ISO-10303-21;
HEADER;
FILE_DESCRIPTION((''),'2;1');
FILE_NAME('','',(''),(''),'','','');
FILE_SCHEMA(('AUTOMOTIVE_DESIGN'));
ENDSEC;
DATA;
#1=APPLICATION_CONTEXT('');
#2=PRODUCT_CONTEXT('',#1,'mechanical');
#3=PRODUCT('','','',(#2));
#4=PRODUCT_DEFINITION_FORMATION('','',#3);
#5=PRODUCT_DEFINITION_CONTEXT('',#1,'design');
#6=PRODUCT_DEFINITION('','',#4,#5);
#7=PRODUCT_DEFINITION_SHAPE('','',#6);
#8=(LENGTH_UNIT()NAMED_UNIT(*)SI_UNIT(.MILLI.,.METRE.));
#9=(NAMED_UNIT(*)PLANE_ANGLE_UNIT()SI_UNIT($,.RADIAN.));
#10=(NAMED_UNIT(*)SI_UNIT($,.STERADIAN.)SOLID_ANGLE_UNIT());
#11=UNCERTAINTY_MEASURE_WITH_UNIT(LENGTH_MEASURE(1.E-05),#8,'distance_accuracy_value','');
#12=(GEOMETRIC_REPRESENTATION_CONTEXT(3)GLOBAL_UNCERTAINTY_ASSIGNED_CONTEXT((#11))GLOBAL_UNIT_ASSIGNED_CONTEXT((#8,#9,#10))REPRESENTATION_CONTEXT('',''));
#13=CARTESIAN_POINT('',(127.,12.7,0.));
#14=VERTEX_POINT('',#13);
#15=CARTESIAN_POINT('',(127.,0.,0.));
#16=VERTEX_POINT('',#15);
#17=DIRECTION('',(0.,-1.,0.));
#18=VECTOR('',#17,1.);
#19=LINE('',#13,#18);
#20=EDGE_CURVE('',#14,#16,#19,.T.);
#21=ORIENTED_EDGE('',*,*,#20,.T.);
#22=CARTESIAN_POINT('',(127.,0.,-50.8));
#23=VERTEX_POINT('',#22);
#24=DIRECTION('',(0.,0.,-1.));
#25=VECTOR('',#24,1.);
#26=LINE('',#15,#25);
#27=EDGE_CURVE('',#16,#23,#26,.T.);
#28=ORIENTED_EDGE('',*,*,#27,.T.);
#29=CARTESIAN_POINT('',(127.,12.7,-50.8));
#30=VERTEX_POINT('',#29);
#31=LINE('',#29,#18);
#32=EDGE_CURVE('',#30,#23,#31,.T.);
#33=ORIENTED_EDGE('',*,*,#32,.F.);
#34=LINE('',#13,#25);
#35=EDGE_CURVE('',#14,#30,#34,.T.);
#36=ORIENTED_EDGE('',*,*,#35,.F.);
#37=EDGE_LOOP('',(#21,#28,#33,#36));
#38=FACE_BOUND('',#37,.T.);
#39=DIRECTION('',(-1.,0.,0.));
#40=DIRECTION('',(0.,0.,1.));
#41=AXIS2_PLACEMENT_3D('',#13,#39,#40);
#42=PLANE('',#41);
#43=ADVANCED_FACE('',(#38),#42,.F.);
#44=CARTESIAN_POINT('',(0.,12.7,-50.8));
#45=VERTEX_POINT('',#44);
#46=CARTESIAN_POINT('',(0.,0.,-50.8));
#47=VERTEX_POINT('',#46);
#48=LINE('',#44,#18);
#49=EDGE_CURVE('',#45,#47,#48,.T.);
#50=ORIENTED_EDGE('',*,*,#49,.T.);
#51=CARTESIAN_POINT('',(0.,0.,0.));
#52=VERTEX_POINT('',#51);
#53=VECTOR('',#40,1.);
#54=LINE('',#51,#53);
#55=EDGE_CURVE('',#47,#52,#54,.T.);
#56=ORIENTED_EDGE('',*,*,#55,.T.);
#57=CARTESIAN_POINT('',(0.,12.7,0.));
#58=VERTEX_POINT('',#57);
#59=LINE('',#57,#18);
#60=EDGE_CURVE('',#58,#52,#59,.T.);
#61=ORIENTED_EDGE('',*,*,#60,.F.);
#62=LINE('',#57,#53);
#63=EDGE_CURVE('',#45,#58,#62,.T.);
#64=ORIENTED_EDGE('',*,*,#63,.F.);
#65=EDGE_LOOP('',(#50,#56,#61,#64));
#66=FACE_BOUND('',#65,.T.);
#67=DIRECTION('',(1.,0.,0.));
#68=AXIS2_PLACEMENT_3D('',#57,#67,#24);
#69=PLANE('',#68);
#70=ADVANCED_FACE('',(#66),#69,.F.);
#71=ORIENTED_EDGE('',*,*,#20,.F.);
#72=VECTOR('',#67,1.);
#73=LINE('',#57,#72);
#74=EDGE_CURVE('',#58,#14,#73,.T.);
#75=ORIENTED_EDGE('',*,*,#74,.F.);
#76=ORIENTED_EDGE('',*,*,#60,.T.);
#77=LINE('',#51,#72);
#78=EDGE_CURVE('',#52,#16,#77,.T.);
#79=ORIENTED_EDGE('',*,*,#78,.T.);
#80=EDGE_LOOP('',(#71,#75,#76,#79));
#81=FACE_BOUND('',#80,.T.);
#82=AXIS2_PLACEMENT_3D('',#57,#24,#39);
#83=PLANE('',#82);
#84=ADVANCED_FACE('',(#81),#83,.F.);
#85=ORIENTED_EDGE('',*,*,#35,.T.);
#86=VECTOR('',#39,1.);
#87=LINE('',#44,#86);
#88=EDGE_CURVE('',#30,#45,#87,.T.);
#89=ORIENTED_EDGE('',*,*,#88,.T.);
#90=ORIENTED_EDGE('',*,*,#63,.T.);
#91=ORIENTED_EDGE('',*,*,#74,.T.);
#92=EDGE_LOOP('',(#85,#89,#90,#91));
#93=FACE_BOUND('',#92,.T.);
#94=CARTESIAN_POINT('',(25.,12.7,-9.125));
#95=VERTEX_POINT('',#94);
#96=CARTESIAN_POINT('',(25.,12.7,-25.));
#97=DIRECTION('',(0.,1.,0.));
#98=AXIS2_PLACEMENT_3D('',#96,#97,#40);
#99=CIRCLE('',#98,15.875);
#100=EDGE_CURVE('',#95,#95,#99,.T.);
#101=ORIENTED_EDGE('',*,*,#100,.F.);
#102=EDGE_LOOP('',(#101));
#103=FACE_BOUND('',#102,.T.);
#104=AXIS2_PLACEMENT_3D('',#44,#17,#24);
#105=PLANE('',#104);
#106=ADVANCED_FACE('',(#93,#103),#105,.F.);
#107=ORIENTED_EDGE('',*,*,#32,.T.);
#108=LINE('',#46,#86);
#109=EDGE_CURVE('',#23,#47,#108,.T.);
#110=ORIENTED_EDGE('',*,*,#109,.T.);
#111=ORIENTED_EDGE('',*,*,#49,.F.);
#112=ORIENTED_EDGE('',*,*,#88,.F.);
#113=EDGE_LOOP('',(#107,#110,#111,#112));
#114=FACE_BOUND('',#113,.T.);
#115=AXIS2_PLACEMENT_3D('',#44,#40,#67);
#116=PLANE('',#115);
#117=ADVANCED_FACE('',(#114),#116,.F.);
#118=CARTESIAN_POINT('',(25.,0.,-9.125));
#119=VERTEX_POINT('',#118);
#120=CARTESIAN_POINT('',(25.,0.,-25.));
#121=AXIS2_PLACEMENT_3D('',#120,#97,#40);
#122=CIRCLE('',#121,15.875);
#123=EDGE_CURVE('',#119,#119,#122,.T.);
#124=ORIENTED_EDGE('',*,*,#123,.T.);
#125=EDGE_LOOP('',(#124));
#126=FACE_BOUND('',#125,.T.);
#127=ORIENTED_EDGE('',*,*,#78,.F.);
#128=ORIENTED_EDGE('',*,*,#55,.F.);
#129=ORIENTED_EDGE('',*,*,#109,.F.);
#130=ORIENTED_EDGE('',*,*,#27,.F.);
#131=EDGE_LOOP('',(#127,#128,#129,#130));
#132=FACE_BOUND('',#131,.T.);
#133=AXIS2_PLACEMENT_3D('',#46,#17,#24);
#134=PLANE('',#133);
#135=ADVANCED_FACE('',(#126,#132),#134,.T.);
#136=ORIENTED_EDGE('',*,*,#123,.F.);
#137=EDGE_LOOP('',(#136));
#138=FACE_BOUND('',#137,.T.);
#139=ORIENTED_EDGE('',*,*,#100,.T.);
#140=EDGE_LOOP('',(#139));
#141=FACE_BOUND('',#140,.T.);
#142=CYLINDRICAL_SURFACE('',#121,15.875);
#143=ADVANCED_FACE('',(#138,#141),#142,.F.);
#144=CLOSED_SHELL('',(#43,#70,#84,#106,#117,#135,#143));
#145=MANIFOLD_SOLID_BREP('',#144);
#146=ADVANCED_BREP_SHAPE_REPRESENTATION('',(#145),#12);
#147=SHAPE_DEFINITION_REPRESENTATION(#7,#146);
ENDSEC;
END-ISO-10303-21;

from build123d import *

# Parameters (mm, degrees)
SKETCH1_W           = 127
SKETCH1_H           = 50.8
BOSS_EXTRUDE1_DEPTH = 12.7
CUT_EXTRUDE1_DEPTH  = 12.7


with BuildPart() as part:
    # Sketch1 → Boss-Extrude1 (new body)
    with BuildSketch(Plane(origin=(0, 0, 0), x_dir=(1, 0, 0), z_dir=(0, 1, 0))):
        with Locations((63.5, 25.4)):
            Rectangle(SKETCH1_W, SKETCH1_H)
    extrude(amount=BOSS_EXTRUDE1_DEPTH)

    # Sketch2 → Cut-Extrude1 (cut)
    with BuildSketch(Plane(origin=(0, 12.7, 0), x_dir=(1, 0, 0), z_dir=(0, 1, 0))):
        with BuildLine():
            ThreePointArc((9.125, 25), (13.774679849, 13.774679849), (25, 9.125))
            Line((25, 9.125), (25, 25))
            Line((25, 25), (9.125, 25))
        make_face()
        with BuildLine():
            Line((25, 25), (25, 9.125))
            ThreePointArc((25, 9.125), (36.225320151, 13.774679849), (40.875, 25))
            ThreePointArc((40.875, 25), (25, 40.875), (9.125, 25))
            Line((9.125, 25), (25, 25))
        make_face()
    extrude(amount=-CUT_EXTRUDE1_DEPTH, mode=Mode.SUBTRACT)


solid = part.part
